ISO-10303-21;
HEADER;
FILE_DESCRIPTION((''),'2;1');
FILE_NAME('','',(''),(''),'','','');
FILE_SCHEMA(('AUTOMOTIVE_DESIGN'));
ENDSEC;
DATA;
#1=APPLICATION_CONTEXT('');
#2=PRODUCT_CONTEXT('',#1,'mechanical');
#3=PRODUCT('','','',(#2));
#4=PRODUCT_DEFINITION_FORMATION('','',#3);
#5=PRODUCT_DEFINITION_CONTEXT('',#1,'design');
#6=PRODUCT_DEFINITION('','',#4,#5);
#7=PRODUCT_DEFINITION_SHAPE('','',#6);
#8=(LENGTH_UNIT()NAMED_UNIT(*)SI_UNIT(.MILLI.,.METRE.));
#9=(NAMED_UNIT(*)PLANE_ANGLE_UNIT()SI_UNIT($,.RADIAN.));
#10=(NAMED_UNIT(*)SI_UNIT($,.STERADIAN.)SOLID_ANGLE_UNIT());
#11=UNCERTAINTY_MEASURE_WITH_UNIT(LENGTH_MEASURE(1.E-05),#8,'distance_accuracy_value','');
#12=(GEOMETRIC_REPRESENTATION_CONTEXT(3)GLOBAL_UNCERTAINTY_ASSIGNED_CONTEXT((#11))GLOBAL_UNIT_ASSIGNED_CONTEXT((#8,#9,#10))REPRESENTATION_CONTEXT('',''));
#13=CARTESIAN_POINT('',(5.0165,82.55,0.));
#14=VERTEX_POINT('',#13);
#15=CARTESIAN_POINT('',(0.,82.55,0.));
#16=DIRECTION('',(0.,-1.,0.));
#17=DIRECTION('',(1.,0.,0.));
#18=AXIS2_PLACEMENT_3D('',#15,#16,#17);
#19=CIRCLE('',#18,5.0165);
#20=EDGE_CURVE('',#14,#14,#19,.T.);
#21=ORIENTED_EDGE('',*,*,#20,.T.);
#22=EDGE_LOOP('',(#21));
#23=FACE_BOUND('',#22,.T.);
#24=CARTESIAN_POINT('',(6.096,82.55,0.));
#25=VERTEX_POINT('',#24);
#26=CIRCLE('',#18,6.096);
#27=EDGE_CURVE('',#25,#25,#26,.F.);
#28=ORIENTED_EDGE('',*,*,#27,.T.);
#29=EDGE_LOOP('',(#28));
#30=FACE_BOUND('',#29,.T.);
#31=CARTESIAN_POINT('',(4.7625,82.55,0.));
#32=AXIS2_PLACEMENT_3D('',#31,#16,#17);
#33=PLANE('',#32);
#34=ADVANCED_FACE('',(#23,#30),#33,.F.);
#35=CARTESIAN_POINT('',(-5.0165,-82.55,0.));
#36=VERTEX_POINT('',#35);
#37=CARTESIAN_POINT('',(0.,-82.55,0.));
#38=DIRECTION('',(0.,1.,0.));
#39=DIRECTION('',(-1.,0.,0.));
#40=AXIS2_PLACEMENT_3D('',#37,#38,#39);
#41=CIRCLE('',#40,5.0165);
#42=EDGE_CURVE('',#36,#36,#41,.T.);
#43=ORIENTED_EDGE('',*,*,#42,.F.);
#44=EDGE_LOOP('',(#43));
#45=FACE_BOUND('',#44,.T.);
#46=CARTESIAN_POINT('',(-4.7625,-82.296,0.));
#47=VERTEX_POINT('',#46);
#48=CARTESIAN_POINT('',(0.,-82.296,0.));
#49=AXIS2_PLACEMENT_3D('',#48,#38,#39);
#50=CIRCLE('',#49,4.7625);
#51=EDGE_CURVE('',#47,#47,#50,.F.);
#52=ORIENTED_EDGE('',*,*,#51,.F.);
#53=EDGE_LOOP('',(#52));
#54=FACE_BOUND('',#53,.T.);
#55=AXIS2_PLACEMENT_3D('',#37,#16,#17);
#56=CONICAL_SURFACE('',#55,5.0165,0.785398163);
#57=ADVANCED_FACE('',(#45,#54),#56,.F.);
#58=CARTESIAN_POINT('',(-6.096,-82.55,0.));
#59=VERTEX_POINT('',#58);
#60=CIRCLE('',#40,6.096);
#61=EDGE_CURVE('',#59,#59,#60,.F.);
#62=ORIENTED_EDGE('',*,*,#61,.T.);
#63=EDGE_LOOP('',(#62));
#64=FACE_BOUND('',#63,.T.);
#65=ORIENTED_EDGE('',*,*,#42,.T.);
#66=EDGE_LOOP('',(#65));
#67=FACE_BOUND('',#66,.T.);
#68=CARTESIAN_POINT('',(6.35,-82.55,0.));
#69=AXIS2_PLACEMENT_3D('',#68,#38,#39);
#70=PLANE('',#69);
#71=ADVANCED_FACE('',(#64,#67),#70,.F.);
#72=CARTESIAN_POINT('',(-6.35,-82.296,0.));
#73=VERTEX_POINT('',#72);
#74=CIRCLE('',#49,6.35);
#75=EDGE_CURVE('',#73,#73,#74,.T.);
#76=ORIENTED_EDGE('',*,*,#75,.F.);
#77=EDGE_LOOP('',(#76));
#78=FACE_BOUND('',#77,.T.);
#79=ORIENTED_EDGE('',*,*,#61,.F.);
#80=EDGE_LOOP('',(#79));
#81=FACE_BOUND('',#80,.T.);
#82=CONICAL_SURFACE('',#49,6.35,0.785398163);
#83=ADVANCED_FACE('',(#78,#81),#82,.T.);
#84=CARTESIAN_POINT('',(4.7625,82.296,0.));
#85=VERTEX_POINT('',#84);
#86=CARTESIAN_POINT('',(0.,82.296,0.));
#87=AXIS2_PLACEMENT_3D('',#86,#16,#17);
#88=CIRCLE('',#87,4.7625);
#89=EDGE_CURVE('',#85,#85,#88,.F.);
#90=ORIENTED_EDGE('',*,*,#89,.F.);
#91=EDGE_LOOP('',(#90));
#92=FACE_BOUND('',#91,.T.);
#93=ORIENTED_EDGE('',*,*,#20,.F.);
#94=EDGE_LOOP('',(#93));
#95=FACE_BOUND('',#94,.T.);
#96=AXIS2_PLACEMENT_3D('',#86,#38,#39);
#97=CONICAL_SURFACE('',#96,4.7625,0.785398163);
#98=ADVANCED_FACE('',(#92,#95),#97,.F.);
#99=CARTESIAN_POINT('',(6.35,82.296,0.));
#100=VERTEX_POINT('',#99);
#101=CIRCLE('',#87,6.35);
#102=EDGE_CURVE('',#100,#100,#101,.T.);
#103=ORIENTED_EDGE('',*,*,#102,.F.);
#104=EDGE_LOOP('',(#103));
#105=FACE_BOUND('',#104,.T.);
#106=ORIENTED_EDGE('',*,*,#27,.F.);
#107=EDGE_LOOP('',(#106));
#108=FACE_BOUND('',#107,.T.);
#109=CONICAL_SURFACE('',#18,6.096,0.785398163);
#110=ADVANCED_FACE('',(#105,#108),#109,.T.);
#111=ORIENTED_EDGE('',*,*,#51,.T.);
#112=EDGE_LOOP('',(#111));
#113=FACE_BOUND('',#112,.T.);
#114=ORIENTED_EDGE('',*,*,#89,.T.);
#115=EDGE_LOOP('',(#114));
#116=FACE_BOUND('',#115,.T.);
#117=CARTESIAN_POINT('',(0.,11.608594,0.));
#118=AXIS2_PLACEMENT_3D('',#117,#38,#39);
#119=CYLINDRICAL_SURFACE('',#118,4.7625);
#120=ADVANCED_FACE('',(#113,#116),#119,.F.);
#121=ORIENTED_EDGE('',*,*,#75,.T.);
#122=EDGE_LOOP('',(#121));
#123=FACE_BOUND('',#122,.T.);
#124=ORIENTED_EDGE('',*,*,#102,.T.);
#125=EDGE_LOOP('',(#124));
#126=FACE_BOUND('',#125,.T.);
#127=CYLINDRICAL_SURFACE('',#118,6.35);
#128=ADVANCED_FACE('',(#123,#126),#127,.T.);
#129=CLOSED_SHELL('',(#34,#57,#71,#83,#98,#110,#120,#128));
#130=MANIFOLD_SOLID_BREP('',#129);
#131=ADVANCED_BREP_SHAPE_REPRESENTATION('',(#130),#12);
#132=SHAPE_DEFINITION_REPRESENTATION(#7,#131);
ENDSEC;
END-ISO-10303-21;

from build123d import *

# Parameters (mm, degrees)
SKETCH1_W     = 1.5875
SKETCH1_H     = 165.1
CHAMFER1_SIZE = 0.254


with BuildPart() as part:
    # Sketch1 → Revolve1 (revolve)
    with BuildSketch(Plane.XY):
        with Locations((5.55625, 0)):
            Rectangle(SKETCH1_W, SKETCH1_H)
    revolve(axis=Axis((0, 11.60859375, 0), (0, -1, 0)))

    # Chamfer1
    chamfer1_edges = [part.edges().sort_by_distance(p)[0] for p in [
        (-4.7625, -82.55, 0),
        (-6.35, -82.55, 0),
        (-6.35, 82.55, 0),
        (-4.7625, 82.55, 0),
    ]]
    chamfer(chamfer1_edges, length=CHAMFER1_SIZE)


solid = part.part
